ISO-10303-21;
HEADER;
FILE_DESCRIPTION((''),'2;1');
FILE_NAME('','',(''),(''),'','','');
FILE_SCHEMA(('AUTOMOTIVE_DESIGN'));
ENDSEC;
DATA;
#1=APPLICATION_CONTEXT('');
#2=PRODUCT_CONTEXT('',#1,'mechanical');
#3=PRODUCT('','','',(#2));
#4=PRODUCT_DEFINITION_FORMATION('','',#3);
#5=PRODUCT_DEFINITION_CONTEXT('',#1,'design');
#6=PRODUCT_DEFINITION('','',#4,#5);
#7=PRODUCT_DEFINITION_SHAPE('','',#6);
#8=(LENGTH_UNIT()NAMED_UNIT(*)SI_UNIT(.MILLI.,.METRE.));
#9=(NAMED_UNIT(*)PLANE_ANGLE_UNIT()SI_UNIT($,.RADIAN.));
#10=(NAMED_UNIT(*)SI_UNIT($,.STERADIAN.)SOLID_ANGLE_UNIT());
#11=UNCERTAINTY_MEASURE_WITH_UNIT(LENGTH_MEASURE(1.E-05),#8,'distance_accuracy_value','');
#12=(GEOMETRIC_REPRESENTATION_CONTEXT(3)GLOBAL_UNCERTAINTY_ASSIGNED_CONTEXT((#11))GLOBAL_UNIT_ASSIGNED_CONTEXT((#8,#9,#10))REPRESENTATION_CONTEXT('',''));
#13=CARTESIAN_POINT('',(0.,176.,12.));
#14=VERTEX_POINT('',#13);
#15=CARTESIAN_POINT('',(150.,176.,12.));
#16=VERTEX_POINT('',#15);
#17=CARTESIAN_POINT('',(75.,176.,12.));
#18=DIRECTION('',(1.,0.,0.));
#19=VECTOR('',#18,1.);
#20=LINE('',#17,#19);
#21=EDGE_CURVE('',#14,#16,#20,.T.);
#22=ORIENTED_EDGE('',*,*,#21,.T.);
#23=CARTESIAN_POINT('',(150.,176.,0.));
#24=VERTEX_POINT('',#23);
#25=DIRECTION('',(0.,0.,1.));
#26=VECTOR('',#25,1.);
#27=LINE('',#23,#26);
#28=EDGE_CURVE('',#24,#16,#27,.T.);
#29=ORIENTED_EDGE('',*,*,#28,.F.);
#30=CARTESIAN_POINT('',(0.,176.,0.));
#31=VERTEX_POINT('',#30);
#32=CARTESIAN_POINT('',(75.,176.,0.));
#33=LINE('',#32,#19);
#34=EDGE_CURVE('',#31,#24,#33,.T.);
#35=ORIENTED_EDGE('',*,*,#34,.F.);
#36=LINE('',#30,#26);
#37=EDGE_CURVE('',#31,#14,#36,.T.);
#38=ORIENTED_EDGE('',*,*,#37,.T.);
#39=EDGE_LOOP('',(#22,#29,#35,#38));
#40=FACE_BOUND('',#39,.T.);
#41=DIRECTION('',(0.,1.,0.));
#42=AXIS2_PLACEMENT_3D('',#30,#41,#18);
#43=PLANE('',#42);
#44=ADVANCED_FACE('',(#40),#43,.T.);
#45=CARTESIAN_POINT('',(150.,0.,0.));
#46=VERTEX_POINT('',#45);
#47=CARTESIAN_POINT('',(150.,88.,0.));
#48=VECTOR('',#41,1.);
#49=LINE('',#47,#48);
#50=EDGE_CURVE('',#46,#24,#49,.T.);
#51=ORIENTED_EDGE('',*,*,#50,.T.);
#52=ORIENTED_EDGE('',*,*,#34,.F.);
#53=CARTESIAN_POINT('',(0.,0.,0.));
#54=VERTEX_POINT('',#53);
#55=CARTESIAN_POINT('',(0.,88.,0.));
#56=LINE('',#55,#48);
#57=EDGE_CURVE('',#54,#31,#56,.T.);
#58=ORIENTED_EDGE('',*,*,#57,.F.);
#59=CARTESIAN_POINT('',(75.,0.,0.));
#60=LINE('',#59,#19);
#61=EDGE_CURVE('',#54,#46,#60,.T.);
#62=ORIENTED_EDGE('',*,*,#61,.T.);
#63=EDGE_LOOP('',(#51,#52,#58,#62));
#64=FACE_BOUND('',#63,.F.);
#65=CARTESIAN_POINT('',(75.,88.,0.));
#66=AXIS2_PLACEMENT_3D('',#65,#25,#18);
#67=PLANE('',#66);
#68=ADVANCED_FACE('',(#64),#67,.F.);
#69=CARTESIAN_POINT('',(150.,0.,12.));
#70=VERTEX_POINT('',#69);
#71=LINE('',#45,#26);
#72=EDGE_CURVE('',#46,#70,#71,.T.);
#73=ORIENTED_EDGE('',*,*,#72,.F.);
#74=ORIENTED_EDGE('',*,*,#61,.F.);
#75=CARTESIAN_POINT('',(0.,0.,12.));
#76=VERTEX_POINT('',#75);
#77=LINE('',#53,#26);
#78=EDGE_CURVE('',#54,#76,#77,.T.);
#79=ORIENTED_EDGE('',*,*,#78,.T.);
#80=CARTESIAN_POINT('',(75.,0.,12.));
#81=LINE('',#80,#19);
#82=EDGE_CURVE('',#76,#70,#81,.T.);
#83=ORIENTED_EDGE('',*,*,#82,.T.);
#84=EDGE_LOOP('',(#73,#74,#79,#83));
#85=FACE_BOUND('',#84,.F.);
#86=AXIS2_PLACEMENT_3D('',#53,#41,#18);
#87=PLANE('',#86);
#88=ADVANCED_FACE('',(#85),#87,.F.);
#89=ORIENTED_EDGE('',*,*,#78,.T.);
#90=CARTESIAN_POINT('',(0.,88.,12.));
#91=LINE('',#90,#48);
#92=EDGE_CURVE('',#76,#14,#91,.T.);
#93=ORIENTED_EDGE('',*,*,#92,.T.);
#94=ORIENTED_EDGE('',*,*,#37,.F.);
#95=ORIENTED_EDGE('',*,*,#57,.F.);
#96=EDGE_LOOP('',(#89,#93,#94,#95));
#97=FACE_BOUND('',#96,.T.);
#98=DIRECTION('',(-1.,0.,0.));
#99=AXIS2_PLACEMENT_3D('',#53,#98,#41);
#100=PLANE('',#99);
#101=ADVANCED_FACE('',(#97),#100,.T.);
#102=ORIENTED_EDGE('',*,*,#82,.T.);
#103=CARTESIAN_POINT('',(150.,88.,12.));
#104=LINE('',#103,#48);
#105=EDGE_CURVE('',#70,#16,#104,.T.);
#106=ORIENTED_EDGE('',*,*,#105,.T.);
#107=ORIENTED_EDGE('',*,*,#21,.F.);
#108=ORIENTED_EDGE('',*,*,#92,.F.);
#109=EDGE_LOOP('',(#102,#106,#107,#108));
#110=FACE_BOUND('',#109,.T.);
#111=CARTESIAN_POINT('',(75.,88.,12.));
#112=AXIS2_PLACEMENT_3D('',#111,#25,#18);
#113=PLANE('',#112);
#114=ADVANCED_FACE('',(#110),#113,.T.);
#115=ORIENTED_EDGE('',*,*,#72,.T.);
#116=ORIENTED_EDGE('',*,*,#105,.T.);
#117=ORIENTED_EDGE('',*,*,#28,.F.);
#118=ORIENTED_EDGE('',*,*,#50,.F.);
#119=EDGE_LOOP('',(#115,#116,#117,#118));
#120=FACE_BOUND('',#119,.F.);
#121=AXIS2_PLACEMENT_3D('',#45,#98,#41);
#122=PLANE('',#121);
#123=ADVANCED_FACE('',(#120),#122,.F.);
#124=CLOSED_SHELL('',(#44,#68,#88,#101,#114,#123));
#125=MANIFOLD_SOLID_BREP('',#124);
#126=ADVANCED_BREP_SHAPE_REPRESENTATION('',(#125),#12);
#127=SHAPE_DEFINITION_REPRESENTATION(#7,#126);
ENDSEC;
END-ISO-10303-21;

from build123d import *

# Parameters (mm, degrees)
SKETCH_W  = 150
SKETCH_H  = 176
PAD_DEPTH = 12


with BuildPart() as part:
    # Sketch → Pad (new body)
    with BuildSketch(Plane.XY):
        with Locations((75, 88)):
            Rectangle(SKETCH_W, SKETCH_H)
    extrude(amount=PAD_DEPTH)


solid = part.part
